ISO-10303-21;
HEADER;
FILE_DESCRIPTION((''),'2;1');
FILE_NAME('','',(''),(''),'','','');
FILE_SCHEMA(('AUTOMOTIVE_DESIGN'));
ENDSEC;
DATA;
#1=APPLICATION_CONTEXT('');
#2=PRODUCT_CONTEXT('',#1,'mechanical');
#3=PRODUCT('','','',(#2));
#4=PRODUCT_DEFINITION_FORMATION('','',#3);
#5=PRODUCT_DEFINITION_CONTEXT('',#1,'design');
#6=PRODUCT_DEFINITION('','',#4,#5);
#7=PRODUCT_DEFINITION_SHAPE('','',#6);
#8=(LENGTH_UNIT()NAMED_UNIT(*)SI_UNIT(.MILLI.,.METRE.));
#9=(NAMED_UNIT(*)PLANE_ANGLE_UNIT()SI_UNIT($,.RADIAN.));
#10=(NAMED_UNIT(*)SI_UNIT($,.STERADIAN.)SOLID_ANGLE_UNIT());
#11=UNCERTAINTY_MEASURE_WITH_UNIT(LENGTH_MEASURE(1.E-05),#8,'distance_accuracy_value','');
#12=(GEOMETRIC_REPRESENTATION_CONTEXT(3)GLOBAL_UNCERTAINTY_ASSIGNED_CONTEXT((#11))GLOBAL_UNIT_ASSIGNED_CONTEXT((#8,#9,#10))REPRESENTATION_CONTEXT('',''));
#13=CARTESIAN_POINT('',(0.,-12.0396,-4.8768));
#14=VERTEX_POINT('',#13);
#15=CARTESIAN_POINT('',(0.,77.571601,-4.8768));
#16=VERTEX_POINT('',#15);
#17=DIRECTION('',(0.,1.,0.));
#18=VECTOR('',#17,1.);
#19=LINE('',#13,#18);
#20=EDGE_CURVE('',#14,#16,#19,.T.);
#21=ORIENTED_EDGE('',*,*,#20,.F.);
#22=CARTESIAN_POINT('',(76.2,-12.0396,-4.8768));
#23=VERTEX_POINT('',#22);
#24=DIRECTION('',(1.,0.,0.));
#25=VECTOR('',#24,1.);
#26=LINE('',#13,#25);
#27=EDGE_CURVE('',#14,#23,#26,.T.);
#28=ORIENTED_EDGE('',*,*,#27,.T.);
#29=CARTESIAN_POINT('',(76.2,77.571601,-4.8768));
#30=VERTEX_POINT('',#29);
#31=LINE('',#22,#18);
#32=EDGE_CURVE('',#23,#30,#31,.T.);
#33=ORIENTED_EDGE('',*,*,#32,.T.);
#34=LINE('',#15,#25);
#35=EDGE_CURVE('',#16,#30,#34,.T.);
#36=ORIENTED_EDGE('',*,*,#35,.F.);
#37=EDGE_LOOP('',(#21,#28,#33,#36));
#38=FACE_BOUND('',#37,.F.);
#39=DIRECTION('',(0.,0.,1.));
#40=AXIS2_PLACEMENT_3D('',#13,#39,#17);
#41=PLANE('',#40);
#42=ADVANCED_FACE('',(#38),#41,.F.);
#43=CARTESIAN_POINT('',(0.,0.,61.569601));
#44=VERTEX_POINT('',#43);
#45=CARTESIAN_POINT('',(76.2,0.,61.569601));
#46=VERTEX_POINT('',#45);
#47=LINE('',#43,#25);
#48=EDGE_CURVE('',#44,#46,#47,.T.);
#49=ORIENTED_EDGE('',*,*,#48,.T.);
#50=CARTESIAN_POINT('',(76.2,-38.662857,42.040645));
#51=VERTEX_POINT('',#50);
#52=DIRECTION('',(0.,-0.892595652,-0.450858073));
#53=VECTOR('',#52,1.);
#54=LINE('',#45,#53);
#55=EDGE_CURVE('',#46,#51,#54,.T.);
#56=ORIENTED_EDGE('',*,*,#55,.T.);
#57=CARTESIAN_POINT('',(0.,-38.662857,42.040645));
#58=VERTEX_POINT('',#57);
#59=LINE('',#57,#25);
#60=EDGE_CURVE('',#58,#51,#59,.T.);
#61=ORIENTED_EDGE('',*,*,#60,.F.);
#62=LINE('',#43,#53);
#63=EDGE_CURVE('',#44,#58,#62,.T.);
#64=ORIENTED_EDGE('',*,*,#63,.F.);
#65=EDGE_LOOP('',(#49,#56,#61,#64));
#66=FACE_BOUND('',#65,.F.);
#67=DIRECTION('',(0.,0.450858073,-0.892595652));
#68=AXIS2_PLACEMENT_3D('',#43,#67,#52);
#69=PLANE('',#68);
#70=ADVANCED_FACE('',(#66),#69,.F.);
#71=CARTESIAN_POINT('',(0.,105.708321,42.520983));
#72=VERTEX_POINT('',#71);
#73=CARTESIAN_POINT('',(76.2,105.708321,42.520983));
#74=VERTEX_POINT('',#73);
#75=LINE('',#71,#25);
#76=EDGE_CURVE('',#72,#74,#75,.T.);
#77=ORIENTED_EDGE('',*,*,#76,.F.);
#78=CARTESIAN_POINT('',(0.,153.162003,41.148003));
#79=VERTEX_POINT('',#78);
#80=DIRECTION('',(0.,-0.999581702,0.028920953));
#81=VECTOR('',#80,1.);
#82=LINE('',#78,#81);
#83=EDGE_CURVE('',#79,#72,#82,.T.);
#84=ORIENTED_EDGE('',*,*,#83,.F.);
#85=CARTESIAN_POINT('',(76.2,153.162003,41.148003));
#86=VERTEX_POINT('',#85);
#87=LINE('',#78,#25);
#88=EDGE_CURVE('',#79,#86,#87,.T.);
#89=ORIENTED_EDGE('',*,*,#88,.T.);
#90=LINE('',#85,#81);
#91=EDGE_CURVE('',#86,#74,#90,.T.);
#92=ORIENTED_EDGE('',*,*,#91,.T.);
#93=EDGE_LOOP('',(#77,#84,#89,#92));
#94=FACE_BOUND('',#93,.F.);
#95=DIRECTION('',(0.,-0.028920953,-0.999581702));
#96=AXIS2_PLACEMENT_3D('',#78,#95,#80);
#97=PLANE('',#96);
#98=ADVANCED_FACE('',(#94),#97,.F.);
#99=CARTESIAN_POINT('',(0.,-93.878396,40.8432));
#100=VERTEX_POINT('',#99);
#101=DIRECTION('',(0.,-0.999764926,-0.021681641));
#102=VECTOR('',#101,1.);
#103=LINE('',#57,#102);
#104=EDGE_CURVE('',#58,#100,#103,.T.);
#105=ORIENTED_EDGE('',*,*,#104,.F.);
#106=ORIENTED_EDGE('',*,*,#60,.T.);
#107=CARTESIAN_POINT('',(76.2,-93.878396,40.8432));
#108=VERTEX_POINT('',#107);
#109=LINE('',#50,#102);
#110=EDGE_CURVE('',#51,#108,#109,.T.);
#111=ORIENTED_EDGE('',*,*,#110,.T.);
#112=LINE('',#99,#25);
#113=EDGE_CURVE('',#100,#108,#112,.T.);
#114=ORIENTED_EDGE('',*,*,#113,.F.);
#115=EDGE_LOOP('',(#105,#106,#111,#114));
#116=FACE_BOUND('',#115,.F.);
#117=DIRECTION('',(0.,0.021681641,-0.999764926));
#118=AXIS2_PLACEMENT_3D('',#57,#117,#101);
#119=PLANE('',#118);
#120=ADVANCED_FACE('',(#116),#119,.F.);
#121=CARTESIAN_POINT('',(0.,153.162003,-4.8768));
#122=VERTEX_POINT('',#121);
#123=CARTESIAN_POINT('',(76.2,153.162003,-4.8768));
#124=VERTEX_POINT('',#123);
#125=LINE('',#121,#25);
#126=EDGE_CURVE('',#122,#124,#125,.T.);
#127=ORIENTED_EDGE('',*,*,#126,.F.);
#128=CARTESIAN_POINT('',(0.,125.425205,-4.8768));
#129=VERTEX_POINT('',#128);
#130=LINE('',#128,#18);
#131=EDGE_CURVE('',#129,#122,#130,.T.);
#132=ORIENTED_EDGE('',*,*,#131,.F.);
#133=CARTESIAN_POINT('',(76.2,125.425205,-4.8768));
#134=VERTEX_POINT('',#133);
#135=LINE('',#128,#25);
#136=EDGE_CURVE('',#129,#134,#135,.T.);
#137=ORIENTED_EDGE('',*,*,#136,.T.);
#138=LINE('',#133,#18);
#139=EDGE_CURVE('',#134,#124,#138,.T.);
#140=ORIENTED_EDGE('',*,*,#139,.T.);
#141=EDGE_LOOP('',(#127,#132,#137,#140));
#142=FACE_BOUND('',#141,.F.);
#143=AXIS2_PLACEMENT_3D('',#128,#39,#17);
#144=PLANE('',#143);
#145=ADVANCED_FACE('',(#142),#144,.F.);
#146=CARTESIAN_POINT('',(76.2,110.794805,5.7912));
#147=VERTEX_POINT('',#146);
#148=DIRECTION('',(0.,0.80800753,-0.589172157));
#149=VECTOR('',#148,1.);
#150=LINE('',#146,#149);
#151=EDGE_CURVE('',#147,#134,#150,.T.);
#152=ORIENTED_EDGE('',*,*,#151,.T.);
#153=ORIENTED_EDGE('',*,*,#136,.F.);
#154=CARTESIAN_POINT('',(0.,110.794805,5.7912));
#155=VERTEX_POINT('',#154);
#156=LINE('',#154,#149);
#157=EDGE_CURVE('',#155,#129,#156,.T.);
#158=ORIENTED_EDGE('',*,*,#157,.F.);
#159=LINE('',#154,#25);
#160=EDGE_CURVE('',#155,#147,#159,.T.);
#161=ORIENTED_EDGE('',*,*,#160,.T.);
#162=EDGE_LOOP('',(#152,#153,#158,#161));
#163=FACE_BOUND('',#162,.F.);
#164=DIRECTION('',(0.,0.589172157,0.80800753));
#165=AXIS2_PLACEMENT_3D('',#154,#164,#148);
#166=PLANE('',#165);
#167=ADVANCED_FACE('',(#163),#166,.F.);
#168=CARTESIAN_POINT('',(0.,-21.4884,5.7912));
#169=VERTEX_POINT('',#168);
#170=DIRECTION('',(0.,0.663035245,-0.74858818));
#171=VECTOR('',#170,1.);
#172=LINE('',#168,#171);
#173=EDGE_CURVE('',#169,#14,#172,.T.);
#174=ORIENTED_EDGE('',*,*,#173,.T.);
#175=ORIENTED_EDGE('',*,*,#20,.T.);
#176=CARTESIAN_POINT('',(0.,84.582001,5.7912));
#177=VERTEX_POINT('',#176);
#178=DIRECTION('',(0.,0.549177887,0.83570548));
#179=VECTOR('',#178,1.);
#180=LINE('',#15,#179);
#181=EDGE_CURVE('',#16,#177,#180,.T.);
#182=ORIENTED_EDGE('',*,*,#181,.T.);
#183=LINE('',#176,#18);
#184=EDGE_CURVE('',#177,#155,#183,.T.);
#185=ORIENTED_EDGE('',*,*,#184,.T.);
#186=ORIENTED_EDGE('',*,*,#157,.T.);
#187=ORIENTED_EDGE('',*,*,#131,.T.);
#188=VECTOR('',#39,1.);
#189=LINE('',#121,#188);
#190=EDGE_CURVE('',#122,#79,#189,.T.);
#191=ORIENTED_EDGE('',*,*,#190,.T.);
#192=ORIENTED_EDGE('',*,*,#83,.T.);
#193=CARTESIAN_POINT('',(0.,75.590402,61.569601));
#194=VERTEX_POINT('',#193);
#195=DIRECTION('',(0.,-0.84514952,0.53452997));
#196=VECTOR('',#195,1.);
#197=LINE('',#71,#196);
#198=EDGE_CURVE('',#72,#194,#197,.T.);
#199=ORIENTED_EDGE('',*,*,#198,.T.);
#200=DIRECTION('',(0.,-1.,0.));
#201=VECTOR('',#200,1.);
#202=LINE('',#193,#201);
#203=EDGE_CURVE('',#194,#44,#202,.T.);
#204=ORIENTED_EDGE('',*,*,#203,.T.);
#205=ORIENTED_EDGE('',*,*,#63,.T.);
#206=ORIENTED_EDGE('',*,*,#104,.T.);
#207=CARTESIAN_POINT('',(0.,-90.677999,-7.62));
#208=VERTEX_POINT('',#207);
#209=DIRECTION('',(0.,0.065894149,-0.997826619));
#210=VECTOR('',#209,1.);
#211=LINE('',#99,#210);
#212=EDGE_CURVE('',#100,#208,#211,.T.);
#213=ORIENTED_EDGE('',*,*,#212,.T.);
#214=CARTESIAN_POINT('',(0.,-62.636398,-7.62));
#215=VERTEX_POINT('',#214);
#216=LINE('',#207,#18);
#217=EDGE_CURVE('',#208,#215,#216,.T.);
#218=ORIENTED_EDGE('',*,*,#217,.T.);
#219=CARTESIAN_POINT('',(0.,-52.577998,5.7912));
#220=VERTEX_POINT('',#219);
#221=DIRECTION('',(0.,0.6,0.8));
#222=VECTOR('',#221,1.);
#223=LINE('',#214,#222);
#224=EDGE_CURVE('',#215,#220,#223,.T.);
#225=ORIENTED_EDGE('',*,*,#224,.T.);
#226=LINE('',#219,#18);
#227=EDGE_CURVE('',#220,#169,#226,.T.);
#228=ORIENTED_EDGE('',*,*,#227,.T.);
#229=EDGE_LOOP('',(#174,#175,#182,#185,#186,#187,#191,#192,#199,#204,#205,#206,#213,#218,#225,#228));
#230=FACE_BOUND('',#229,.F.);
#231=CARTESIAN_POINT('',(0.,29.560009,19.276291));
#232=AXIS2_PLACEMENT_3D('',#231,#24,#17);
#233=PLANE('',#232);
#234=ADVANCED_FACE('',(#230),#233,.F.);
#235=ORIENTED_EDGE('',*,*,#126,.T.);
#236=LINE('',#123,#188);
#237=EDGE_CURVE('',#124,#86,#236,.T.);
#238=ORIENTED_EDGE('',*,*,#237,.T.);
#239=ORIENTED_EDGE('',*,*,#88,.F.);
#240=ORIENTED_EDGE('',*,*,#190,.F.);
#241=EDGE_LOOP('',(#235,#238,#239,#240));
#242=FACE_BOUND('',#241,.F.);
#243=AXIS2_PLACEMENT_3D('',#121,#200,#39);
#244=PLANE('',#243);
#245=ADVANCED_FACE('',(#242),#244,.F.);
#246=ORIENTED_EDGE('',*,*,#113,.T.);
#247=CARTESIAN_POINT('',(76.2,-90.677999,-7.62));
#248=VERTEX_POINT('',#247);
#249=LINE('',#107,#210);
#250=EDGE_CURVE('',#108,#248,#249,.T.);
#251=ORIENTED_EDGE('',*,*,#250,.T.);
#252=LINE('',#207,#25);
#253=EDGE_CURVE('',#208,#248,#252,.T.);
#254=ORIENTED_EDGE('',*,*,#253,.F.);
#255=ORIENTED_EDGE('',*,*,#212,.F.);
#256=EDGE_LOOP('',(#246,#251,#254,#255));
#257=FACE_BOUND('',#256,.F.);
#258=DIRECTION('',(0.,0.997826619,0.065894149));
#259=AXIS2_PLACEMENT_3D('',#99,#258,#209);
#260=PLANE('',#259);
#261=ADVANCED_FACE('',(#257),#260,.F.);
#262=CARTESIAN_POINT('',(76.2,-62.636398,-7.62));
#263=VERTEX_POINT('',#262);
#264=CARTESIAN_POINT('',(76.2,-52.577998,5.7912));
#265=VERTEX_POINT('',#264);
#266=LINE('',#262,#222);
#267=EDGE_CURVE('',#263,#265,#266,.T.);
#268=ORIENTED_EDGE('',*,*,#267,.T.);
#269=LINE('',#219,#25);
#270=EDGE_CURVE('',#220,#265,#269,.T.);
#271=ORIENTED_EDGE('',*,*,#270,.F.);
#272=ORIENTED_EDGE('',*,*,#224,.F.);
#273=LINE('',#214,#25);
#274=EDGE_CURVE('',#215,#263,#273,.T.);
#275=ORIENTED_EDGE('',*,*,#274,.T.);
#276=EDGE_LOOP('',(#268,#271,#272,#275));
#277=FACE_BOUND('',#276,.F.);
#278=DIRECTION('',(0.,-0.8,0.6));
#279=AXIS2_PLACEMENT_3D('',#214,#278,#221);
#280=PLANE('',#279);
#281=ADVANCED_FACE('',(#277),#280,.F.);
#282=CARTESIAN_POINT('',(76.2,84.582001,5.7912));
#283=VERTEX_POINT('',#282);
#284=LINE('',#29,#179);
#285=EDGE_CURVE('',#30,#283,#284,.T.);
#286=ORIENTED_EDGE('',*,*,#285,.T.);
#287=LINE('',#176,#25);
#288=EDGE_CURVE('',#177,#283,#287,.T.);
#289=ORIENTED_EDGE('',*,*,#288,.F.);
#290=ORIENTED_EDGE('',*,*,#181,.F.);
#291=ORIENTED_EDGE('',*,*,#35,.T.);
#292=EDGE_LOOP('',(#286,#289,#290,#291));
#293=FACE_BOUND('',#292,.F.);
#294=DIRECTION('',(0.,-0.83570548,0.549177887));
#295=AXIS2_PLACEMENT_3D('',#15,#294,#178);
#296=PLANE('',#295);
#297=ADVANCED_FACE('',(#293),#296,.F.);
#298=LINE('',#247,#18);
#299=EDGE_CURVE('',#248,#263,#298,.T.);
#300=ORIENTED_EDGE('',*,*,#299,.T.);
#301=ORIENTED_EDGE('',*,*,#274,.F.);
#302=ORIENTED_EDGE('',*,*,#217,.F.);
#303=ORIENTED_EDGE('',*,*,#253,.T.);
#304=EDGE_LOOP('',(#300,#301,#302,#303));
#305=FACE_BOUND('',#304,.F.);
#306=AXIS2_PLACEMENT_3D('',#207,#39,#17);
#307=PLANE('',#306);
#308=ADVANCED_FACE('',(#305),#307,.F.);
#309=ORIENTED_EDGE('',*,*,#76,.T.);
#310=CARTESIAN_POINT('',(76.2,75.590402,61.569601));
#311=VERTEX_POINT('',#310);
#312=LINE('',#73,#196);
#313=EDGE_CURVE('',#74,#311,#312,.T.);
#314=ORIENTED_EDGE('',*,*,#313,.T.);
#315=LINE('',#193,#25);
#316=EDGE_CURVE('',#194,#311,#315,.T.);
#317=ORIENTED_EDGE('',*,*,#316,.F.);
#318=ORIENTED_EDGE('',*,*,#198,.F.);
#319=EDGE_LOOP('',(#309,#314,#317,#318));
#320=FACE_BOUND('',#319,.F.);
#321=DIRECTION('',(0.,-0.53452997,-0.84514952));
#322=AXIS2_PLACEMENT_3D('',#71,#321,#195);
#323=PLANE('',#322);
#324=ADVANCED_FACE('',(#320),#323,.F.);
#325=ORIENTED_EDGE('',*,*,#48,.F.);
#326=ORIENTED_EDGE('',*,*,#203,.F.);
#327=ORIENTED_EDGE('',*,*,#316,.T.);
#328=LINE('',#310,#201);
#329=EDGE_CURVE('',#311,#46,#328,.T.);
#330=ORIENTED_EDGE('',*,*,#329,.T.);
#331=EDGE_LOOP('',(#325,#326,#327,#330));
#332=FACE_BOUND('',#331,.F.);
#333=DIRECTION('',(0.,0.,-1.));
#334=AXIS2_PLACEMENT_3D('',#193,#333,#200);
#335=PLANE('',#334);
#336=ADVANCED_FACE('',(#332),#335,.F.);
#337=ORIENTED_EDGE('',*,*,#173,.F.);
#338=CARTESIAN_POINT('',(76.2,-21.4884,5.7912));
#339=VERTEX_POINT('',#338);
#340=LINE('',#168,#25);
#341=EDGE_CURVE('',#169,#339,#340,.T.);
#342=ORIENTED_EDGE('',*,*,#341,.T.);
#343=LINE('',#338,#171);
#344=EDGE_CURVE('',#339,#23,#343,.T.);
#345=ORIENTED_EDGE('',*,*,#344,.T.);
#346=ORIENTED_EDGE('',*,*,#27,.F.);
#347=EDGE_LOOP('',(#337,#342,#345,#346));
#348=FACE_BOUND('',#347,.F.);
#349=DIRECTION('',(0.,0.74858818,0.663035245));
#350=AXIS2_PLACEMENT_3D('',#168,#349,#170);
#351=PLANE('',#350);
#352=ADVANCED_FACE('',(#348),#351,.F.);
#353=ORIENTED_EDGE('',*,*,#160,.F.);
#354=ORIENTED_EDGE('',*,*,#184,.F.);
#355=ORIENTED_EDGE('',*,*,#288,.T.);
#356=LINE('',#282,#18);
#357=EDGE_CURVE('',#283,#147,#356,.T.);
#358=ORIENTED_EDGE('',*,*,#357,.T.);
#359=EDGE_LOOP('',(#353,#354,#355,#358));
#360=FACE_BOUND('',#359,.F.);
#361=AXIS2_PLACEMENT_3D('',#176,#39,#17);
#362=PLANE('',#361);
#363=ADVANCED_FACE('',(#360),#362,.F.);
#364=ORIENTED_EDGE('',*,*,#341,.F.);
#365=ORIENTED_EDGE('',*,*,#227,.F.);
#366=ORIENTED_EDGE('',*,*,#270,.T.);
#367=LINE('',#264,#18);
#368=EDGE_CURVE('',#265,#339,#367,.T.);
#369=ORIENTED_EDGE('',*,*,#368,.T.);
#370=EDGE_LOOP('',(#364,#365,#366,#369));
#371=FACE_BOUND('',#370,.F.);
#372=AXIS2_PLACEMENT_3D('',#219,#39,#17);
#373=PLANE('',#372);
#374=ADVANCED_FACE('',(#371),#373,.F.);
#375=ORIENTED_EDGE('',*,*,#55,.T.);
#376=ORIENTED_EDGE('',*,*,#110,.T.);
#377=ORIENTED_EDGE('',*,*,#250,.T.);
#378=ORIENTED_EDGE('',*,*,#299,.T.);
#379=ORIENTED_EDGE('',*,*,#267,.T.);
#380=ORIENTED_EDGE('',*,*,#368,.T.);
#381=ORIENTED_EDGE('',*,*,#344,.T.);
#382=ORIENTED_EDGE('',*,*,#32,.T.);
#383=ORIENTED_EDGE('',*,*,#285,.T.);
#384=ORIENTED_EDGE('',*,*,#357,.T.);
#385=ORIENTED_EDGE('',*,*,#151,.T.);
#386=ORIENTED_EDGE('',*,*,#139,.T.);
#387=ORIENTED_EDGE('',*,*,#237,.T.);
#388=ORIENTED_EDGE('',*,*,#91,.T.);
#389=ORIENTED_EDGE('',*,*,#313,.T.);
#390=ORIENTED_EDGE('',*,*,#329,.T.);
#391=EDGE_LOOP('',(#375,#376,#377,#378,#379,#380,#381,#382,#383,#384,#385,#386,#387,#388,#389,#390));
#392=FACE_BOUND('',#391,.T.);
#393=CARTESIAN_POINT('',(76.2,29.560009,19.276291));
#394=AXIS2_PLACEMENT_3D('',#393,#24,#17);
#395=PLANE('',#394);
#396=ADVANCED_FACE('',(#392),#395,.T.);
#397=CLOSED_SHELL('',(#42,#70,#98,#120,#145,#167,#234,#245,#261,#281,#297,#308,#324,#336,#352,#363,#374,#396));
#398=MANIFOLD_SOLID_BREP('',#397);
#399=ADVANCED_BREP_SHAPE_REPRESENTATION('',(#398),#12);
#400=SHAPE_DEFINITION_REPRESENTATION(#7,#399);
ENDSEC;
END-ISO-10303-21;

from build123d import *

# Parameters (mm, degrees)
F1_DEPTH = 76.2


with BuildPart() as f1:
    # F0 (on Right) → F1 (new body)
    with BuildSketch(Plane.YZ):
        Polygon((-93.878396, 40.8432), (-90.677999, -7.62), (-62.636398, -7.62), (-52.577998, 5.7912), (-21.4884, 5.7912), (-12.0396, -4.8768), (77.571601, -4.8768), (84.582001, 5.7912), (110.794805, 5.7912), (125.425205, -4.8768), (153.162003, -4.8768), (153.162003, 41.148003), (105.708321, 42.520983), (68.884805, 43.586399), (32.613605, 43.586399), (-38.662857, 42.040645), align=None)
        Polygon((0, 61.569601), (-38.662857, 42.040645), (32.613605, 43.586399), (68.884805, 43.586399), (105.708321, 42.520983), (75.590402, 61.569601), align=None)
    extrude(amount=F1_DEPTH)


solid = f1.part
